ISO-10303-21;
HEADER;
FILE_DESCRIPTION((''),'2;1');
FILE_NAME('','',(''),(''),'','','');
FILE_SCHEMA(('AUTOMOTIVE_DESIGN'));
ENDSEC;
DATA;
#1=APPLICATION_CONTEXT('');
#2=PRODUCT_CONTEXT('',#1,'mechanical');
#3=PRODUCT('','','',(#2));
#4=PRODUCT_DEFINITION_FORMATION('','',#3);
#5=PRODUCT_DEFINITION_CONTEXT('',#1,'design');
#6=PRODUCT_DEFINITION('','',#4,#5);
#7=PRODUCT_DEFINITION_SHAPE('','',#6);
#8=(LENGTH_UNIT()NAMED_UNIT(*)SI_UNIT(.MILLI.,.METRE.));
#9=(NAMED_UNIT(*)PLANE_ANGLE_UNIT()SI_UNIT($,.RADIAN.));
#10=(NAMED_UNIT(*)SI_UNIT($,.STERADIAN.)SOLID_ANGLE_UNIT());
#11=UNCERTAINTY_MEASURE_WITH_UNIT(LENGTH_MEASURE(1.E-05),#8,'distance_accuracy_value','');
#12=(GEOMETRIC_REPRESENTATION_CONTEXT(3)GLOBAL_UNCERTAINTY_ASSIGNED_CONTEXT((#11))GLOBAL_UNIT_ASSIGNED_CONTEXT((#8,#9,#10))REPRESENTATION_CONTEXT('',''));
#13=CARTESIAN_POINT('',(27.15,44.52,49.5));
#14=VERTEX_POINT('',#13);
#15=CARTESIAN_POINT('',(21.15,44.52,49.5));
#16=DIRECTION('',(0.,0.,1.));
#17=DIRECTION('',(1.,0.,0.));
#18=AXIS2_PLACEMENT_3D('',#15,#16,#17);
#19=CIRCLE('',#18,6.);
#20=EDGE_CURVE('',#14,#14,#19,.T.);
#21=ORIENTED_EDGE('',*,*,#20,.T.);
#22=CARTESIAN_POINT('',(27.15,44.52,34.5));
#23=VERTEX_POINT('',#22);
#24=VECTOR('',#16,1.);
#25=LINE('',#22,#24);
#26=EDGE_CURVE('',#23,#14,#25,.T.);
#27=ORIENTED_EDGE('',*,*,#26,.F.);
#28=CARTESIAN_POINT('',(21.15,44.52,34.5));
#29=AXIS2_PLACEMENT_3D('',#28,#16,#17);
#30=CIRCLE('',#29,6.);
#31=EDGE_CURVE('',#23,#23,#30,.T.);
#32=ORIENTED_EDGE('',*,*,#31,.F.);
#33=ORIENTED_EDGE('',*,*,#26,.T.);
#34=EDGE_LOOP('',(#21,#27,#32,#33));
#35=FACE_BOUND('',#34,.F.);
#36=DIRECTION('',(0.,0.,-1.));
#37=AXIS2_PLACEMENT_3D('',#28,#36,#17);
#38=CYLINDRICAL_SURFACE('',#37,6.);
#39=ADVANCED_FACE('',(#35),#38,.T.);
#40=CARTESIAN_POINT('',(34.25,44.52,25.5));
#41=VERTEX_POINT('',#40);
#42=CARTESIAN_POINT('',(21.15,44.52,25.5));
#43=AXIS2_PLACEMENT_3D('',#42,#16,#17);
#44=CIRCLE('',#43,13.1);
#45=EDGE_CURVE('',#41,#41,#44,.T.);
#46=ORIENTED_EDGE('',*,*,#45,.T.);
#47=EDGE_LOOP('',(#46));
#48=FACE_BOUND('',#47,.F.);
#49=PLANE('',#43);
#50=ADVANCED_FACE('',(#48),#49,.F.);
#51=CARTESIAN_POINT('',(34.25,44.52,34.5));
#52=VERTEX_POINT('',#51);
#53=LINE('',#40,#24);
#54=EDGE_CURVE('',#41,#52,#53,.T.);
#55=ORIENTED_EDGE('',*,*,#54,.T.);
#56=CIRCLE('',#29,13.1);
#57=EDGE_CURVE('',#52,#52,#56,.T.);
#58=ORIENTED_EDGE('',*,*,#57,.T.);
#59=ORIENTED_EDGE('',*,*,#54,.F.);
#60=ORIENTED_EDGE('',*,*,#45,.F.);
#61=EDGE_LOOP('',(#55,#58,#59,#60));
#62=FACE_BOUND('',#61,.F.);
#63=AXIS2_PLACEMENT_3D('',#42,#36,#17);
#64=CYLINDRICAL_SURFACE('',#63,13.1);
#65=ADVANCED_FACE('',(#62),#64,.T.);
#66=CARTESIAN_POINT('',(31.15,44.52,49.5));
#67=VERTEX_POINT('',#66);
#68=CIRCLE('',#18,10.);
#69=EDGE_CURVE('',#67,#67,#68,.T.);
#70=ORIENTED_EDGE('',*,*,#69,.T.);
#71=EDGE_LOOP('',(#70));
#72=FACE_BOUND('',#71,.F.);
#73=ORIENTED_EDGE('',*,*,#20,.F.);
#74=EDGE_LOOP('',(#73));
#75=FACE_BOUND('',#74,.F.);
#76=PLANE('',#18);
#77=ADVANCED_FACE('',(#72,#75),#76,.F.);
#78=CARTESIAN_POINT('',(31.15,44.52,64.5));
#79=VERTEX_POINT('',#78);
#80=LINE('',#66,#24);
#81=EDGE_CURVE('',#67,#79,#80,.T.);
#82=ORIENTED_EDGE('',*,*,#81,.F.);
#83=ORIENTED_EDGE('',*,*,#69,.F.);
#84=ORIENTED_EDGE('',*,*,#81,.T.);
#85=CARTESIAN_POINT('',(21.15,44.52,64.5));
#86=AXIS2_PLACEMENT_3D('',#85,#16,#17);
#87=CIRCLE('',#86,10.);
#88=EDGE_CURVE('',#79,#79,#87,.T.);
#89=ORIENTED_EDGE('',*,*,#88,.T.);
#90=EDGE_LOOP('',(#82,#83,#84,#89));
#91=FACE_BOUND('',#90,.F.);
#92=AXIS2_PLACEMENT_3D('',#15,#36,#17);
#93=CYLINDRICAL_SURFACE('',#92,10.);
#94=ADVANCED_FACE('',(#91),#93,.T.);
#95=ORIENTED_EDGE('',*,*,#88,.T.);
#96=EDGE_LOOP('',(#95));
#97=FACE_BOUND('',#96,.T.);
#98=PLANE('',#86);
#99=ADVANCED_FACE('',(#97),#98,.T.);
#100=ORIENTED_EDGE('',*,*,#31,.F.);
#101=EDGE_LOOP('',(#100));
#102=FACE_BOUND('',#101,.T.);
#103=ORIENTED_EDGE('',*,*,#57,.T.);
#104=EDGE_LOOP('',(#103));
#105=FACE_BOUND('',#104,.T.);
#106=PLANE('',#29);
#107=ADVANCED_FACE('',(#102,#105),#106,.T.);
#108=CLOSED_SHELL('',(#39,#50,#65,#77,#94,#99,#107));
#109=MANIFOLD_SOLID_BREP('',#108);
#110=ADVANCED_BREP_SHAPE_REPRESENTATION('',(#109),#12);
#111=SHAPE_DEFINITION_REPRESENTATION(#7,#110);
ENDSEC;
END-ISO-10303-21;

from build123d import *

# Parameters (mm, degrees)
CYLINDER003_R     = 10
CYLINDER003_DEPTH = 15
CYLINDER002_R     = 6
CYLINDER002_DEPTH = 15
CYLINDER004_R     = 13.1
CYLINDER004_DEPTH = 9


with BuildPart() as top_bearing_cut:
    # Cylinder003 → Cylinder003 (new body)
    with BuildSketch(Plane(origin=(21.15, 44.52, 49.5), x_dir=(1, 0, 0), z_dir=(0, 0, 1))):
        Circle(CYLINDER003_R)
    extrude(amount=CYLINDER003_DEPTH)


with BuildPart() as screw_cut:
    # Cylinder002 → Cylinder002 (new body)
    with BuildSketch(Plane(origin=(21.15, 44.52, 34.5), x_dir=(1, 0, 0), z_dir=(0, 0, 1))):
        Circle(CYLINDER002_R)
    extrude(amount=CYLINDER002_DEPTH)


with BuildPart() as fusion008:
    # Cylinder004 → Cylinder004 (new body)
    with BuildSketch(Plane(origin=(21.15, 44.52, 25.5), x_dir=(1, 0, 0), z_dir=(0, 0, 1))):
        Circle(CYLINDER004_R)
    extrude(amount=CYLINDER004_DEPTH)

    # Fusion008: union top-bearing-cut, screw-cut
    add(top_bearing_cut.part)
    add(screw_cut.part)


solid = fusion008.part
